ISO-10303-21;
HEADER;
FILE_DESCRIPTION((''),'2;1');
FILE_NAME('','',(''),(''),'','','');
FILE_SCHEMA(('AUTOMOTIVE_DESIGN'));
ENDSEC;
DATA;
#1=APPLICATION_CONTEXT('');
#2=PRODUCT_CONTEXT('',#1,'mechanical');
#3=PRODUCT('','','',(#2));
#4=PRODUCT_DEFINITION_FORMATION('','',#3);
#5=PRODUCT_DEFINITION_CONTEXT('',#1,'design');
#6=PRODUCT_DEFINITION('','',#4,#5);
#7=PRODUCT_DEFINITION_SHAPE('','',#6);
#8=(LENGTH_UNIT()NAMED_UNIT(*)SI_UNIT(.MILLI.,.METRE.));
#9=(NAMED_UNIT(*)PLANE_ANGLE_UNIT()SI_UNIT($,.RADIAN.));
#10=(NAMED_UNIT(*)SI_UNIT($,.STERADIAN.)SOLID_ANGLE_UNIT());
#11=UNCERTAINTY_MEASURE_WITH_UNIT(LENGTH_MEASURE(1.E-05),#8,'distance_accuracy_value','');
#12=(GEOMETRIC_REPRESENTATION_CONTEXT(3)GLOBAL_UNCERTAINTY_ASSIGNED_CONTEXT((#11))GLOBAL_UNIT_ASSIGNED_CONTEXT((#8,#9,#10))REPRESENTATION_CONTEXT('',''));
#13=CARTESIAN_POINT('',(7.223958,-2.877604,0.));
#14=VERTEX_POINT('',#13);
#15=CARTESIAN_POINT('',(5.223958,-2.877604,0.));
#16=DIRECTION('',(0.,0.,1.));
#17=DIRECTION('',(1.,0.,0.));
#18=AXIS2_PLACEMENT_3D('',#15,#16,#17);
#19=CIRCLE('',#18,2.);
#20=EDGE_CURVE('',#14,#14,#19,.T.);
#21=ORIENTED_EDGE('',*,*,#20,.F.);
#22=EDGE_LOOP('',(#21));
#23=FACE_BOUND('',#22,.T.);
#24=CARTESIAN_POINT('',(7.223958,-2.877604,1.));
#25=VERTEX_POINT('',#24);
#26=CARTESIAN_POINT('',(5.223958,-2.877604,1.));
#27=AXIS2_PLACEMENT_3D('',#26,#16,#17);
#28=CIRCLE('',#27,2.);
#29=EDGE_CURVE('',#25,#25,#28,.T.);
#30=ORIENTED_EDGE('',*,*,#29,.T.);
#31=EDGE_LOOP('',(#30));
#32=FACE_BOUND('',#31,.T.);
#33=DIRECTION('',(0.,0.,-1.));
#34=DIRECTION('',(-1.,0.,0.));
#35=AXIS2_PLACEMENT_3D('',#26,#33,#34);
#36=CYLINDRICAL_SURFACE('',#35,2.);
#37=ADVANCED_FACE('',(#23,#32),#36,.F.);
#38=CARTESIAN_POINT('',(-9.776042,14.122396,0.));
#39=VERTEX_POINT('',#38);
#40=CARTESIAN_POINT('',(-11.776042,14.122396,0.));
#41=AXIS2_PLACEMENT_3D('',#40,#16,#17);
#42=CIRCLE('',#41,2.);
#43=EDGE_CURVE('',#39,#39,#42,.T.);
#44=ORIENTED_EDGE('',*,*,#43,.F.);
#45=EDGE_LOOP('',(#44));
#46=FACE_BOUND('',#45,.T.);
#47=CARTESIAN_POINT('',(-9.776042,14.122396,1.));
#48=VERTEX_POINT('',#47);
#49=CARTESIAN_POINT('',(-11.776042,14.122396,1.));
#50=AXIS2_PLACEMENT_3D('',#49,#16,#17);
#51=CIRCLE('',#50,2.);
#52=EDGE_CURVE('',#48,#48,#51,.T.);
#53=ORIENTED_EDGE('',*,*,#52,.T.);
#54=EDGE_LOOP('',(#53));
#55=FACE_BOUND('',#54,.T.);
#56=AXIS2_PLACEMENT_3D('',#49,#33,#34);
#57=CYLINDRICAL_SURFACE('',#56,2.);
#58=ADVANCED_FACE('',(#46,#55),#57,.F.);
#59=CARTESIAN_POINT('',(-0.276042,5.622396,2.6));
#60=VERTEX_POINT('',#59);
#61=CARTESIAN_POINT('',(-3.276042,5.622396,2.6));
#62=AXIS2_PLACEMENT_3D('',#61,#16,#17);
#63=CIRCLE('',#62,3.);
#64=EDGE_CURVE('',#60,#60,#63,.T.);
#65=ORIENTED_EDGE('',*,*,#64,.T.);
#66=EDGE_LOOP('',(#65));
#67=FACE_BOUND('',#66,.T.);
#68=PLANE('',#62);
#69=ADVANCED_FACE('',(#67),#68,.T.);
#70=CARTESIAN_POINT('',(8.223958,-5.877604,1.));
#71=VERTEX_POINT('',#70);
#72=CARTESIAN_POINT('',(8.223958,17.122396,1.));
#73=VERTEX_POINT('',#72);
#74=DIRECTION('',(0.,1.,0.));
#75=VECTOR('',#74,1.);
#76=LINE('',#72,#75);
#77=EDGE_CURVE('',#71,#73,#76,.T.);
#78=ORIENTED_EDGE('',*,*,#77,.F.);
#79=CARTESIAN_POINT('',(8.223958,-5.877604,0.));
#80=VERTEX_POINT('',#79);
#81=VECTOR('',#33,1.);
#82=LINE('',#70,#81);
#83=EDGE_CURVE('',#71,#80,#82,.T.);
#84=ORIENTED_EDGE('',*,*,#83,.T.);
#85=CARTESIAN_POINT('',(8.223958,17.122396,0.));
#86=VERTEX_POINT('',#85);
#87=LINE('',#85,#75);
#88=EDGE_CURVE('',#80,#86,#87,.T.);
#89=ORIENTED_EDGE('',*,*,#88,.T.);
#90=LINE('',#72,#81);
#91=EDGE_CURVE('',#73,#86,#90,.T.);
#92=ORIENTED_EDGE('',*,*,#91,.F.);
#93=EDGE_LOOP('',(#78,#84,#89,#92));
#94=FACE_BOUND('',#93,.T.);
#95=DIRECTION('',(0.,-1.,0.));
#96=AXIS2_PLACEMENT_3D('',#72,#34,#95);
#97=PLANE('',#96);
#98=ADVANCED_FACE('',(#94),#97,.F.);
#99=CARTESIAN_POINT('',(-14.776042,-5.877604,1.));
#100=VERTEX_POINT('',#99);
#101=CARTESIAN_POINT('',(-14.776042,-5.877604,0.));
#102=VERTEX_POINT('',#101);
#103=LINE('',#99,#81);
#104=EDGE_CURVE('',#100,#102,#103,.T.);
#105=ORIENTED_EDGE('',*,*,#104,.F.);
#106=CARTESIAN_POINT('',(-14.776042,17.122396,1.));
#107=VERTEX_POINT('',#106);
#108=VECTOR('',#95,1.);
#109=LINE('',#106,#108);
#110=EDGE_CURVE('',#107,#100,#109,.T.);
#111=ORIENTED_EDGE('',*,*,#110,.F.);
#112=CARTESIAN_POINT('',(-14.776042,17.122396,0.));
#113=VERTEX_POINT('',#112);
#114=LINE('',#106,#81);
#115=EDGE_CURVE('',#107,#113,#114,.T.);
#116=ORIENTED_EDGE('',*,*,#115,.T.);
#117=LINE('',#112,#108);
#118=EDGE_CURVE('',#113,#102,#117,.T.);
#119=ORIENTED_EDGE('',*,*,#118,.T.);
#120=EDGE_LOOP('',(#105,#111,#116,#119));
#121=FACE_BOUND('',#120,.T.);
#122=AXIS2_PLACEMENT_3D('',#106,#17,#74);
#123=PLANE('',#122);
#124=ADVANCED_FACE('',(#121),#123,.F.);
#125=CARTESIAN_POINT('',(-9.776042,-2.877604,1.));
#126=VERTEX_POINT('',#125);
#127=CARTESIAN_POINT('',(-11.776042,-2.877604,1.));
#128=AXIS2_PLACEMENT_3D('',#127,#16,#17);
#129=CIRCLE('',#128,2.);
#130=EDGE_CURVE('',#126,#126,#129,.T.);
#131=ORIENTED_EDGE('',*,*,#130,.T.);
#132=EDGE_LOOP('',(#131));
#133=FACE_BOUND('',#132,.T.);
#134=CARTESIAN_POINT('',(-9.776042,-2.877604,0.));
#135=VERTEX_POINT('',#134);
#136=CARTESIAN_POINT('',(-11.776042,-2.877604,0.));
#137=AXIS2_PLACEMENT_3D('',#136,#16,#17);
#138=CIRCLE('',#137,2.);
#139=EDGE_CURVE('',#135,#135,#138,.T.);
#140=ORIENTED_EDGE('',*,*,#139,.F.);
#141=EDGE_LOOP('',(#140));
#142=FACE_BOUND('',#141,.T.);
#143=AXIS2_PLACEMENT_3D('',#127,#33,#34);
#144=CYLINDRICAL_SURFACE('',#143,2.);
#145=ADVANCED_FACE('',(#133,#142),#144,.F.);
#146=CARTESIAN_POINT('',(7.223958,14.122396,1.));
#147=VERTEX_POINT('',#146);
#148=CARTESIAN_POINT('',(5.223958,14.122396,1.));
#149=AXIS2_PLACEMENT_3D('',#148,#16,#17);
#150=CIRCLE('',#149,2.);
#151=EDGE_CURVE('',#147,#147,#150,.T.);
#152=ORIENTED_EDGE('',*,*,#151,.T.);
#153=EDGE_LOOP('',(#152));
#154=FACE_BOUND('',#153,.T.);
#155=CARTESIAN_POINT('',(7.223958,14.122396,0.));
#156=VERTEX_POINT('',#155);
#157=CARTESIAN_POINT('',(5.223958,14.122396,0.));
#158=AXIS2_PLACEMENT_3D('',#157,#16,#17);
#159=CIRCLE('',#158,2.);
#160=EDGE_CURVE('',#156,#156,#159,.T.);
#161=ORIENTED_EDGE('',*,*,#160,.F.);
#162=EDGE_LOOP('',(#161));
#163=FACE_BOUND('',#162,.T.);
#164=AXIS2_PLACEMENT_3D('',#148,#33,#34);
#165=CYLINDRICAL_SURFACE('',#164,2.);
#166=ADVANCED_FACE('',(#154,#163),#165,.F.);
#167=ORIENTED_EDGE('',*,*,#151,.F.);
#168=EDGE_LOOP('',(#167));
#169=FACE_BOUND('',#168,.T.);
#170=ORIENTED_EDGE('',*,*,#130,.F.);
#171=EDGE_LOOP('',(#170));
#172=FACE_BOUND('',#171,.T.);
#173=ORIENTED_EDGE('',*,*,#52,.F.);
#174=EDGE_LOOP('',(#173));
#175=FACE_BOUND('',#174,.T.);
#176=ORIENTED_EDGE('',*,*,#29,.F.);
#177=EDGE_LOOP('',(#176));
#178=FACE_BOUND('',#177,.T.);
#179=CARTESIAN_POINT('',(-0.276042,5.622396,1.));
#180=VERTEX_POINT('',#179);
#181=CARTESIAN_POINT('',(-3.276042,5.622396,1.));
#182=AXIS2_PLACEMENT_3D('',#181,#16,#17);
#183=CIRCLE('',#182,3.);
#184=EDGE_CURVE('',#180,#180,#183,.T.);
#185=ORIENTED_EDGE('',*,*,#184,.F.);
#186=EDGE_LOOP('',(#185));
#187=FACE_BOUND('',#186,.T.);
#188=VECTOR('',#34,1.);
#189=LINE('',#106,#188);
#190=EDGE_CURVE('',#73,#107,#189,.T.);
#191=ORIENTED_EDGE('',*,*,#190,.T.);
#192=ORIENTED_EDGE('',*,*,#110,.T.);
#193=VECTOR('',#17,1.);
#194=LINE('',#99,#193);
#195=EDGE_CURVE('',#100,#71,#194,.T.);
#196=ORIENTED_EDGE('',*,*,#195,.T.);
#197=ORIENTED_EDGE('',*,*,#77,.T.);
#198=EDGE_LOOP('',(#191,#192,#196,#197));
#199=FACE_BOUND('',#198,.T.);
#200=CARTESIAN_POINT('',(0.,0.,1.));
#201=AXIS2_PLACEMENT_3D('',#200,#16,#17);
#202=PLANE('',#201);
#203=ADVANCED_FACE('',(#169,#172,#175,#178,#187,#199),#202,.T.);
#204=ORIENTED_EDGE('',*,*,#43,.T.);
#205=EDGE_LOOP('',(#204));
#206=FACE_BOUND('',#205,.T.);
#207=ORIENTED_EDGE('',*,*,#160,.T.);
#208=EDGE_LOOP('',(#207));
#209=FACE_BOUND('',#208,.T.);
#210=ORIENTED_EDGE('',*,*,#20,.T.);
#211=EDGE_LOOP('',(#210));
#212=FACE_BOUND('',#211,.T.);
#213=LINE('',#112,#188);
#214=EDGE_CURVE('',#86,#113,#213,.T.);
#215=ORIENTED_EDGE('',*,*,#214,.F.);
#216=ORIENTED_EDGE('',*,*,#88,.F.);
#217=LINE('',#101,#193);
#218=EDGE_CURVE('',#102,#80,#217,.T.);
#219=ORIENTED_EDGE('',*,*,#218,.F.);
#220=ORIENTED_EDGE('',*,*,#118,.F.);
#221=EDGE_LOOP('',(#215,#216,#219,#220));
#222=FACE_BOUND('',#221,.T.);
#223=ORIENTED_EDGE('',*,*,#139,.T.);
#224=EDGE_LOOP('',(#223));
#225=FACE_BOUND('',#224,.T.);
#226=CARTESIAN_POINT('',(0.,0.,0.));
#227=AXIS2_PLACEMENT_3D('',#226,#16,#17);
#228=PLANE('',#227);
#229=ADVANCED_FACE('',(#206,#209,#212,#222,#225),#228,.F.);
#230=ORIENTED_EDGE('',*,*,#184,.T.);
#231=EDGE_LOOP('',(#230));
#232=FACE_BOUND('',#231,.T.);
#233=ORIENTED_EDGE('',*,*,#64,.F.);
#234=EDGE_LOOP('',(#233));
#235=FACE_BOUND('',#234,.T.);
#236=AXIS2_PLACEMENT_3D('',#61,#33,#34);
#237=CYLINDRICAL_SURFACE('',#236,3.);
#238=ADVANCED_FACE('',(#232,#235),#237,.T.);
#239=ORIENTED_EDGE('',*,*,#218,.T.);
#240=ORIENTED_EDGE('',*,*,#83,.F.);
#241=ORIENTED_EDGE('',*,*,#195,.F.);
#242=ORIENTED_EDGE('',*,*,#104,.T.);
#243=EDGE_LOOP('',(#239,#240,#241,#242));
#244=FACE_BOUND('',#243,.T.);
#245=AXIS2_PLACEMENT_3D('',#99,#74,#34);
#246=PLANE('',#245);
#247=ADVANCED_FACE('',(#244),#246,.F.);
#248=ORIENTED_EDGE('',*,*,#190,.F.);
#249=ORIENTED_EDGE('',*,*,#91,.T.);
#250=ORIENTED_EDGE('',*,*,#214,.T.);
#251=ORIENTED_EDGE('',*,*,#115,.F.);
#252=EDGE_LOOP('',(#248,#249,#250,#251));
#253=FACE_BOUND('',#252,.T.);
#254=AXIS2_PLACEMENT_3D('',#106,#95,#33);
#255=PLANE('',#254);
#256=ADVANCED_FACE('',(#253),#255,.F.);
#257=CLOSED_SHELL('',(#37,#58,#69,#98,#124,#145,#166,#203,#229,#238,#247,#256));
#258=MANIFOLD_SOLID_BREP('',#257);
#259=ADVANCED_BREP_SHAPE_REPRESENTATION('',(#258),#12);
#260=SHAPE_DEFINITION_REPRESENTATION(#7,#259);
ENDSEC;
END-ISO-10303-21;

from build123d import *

# Parameters (mm, degrees)
SKETCH_1_W      = 23
SKETCH_1_H      = 23
SKETCH_1_R      = 2
EXTRUDE_1_DEPTH = 1
SKETCH_2_R      = 3
EXTRUDE_2_DEPTH = 1.6


with BuildPart() as part:
    # 草图1 → 凸台-拉伸1 (new body)
    with BuildSketch(Plane.XY):
        with Locations((-3.276041667, 5.622395833)):
            Rectangle(SKETCH_1_W, SKETCH_1_H)
        with Locations((-11.776041667, 14.122395833)):
            Circle(SKETCH_1_R, mode=Mode.SUBTRACT)
        with Locations((-11.776041667, -2.877604167)):
            Circle(SKETCH_1_R, mode=Mode.SUBTRACT)
        with Locations((5.223958333, -2.877604167)):
            Circle(SKETCH_1_R, mode=Mode.SUBTRACT)
        with Locations((5.223958333, 14.122395833)):
            Circle(SKETCH_1_R, mode=Mode.SUBTRACT)
    extrude(amount=EXTRUDE_1_DEPTH)

    # 草图2 → 凸台-拉伸2 (add)
    with BuildSketch(Plane.XY.offset(1)):
        with Locations((-3.276041667, 5.622395833)):
            Circle(SKETCH_2_R)
    extrude(amount=EXTRUDE_2_DEPTH)


solid = part.part
